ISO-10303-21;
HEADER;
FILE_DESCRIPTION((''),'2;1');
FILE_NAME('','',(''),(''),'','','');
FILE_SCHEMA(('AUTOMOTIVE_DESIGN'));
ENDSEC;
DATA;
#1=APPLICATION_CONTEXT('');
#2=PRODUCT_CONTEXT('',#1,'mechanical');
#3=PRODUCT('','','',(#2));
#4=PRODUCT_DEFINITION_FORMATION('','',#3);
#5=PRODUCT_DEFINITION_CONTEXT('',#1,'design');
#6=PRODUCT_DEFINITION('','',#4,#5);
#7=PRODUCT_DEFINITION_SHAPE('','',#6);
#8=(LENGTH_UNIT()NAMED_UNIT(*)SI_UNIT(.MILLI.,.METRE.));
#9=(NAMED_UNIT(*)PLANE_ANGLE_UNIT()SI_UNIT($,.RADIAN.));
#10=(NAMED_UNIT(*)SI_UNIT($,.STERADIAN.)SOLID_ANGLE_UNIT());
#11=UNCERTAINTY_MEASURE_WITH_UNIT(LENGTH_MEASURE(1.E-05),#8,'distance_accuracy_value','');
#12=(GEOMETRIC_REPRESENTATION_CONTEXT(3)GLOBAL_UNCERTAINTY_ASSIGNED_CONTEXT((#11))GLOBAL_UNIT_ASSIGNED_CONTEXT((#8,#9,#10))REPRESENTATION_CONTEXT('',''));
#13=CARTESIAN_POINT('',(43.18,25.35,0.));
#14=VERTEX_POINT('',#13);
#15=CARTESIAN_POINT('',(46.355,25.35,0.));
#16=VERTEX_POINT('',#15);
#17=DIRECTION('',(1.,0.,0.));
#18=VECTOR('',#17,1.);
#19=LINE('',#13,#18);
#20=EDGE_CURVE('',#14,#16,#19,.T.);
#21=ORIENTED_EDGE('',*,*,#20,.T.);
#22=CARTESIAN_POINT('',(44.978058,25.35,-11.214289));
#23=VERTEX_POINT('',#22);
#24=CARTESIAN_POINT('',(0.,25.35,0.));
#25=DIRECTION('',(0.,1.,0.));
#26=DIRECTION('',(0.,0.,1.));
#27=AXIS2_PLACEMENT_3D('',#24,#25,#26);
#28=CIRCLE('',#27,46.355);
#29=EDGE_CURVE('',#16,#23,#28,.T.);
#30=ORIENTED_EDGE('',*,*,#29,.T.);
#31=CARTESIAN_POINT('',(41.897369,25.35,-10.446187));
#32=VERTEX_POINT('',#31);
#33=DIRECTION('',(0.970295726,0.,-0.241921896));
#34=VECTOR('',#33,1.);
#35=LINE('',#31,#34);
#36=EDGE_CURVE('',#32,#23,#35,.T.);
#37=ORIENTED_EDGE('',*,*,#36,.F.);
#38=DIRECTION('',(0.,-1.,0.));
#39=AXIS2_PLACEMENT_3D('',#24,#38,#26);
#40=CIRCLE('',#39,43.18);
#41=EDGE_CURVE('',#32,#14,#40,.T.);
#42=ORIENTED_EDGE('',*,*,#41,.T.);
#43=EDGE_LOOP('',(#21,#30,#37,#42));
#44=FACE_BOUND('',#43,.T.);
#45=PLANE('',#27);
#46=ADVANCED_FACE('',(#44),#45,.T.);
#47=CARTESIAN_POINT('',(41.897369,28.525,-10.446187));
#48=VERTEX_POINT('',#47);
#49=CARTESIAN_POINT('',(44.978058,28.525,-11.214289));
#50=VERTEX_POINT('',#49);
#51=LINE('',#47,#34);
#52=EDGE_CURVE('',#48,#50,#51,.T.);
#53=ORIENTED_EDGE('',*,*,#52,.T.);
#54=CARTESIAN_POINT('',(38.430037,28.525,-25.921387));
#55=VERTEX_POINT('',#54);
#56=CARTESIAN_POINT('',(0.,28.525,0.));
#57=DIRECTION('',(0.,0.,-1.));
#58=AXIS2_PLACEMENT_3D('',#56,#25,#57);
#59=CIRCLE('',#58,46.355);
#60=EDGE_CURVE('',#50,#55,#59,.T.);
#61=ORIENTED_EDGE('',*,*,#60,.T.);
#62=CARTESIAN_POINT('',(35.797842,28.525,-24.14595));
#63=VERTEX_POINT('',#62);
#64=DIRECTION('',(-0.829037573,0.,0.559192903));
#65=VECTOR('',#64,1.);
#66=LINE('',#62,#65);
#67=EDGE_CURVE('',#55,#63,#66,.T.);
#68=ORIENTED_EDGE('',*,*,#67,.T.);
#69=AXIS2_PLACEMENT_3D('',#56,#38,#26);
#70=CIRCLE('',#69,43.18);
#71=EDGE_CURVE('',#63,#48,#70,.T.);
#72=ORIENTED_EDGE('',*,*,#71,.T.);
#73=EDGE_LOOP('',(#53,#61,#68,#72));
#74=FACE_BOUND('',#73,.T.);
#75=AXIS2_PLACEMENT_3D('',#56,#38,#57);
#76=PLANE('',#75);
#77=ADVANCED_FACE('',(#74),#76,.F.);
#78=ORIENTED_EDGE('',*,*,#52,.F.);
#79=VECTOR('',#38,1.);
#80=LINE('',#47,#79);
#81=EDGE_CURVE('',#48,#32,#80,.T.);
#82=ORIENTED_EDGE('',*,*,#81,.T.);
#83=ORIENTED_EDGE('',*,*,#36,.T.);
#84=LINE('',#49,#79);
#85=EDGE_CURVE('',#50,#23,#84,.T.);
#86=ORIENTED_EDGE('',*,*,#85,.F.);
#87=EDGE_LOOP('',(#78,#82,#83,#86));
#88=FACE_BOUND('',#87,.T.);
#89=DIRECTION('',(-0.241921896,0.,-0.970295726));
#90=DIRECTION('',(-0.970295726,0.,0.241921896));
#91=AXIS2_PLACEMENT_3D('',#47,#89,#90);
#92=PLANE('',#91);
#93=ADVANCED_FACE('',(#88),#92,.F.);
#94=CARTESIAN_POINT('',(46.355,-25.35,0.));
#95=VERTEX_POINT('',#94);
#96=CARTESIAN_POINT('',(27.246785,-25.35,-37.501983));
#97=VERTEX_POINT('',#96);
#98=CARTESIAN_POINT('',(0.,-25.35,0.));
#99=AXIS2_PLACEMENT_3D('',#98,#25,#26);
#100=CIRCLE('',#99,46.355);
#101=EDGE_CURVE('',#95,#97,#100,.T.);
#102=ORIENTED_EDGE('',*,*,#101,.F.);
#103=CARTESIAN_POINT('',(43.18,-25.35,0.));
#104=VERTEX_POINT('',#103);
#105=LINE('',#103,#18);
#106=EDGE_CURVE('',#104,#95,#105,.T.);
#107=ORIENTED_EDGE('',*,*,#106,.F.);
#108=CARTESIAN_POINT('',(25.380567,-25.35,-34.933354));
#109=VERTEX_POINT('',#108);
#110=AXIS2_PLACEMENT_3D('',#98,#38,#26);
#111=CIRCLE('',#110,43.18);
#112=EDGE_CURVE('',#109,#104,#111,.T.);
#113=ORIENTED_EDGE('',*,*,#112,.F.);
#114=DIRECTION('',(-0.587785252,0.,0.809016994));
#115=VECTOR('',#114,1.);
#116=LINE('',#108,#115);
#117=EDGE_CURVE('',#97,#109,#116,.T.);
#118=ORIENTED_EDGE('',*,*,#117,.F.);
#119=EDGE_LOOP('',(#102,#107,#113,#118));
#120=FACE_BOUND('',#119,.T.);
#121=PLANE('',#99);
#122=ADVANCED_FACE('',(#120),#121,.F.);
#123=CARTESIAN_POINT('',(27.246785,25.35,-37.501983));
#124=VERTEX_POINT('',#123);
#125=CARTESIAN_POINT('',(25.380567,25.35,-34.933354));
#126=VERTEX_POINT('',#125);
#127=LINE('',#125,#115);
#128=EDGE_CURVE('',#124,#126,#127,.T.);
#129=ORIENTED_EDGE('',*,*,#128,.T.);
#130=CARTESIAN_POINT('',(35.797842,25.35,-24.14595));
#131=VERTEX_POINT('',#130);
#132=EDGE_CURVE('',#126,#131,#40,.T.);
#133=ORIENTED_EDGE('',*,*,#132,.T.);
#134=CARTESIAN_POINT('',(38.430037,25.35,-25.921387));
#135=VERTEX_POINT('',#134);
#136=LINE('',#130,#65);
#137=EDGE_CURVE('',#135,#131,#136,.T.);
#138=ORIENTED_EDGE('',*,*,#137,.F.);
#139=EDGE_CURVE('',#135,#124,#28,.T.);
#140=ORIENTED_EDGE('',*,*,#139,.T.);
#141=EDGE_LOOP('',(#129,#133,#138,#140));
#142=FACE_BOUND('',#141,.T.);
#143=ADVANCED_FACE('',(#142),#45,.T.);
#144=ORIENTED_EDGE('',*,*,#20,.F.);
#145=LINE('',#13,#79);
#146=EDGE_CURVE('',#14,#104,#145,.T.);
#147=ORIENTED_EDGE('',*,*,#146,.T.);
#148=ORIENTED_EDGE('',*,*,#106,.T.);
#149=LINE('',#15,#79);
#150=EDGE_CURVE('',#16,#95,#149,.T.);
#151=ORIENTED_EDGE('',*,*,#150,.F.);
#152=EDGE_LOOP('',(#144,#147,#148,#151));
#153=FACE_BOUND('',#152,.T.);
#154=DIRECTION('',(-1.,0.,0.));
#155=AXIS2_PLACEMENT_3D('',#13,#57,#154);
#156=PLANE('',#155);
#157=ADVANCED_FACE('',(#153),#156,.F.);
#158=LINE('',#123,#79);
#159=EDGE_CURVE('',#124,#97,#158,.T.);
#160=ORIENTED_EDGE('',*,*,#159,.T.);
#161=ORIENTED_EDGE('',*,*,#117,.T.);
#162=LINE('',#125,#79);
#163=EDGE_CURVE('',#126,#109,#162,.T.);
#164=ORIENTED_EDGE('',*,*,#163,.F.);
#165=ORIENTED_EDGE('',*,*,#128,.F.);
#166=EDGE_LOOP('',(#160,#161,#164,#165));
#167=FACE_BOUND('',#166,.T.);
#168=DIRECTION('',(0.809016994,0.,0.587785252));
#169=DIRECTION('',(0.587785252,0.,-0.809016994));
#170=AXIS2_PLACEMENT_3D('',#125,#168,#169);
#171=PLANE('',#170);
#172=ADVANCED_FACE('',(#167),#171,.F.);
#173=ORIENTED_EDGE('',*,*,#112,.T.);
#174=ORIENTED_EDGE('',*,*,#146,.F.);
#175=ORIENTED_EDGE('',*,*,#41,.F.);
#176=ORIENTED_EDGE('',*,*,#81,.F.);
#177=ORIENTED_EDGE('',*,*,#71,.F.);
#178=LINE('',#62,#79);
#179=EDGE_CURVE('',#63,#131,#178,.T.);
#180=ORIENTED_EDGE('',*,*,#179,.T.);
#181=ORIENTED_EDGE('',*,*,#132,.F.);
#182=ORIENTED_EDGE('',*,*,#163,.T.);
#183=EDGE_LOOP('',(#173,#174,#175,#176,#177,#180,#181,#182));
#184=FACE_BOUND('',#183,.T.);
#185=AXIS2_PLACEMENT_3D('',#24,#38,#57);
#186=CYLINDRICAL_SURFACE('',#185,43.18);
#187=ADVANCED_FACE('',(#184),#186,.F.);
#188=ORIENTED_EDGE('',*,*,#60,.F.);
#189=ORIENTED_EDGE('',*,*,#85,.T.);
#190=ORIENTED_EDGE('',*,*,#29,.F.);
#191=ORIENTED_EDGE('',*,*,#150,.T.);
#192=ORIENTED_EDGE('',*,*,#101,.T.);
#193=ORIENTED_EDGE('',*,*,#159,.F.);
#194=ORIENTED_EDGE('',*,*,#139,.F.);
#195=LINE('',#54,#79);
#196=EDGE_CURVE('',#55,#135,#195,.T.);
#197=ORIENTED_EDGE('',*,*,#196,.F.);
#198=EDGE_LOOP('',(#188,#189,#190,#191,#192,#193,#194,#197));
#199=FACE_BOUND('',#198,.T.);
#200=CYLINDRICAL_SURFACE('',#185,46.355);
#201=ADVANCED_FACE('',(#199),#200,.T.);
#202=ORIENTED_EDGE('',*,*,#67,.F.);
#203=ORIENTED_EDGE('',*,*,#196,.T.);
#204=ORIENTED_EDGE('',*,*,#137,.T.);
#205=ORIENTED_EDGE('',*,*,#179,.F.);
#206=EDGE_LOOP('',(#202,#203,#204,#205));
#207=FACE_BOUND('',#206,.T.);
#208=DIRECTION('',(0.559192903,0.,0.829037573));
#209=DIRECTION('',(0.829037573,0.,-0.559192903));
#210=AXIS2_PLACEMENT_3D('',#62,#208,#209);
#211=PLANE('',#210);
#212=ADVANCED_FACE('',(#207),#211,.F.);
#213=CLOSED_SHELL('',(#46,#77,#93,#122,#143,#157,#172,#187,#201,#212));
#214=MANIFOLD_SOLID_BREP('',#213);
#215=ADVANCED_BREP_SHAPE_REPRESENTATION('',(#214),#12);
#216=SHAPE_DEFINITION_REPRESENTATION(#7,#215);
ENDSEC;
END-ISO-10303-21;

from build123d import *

# Parameters (mm, degrees)
BOSS_EXTRUDE1_DEPTH = 25.3500001
BOSS_EXTRUDE2_START = 3.175
BOSS_EXTRUDE2_DEPTH = 3.175


with BuildPart() as part:
    # Sketch1 → Boss-Extrude1 (new, symmetric)
    with BuildSketch(Plane(origin=(0, 0, 0), x_dir=(1, 0, 0), z_dir=(0, 1, 0))):
        with BuildLine():
            Line((25.380567194, 34.933353817), (27.24678537, 37.501982774))
            ThreePointArc((27.24678537, 37.501982774), (41.302607429, 21.044729615), (46.355, 0))
            Line((46.355, 0), (43.18, 0))
            ThreePointArc((43.18, 0), (38.473661714, 19.603309779), (25.380567194, 34.933353817))
        make_face()
    extrude(amount=BOSS_EXTRUDE1_DEPTH, both=True)

    # Sketch2 → Boss-Extrude2 (add)
    with BuildSketch(Plane(origin=(0, 25.3500001, 0), x_dir=(1, 0, 0), z_dir=(0, 1, 0)).offset(BOSS_EXTRUDE2_START)):
        with BuildLine():
            Line((35.797842383, 24.145949572), (38.430036676, 25.92138704))
            ThreePointArc((38.430036676, 25.92138704), (42.347399689, 18.85427709), (44.978058392, 11.214289471))
            Line((44.978058392, 11.214289471), (41.897369461, 10.446187452))
            ThreePointArc((41.897369461, 10.446187452), (39.446892861, 17.562888248), (35.797842383, 24.145949572))
        make_face()
    extrude(amount=-BOSS_EXTRUDE2_DEPTH)


solid = part.part
